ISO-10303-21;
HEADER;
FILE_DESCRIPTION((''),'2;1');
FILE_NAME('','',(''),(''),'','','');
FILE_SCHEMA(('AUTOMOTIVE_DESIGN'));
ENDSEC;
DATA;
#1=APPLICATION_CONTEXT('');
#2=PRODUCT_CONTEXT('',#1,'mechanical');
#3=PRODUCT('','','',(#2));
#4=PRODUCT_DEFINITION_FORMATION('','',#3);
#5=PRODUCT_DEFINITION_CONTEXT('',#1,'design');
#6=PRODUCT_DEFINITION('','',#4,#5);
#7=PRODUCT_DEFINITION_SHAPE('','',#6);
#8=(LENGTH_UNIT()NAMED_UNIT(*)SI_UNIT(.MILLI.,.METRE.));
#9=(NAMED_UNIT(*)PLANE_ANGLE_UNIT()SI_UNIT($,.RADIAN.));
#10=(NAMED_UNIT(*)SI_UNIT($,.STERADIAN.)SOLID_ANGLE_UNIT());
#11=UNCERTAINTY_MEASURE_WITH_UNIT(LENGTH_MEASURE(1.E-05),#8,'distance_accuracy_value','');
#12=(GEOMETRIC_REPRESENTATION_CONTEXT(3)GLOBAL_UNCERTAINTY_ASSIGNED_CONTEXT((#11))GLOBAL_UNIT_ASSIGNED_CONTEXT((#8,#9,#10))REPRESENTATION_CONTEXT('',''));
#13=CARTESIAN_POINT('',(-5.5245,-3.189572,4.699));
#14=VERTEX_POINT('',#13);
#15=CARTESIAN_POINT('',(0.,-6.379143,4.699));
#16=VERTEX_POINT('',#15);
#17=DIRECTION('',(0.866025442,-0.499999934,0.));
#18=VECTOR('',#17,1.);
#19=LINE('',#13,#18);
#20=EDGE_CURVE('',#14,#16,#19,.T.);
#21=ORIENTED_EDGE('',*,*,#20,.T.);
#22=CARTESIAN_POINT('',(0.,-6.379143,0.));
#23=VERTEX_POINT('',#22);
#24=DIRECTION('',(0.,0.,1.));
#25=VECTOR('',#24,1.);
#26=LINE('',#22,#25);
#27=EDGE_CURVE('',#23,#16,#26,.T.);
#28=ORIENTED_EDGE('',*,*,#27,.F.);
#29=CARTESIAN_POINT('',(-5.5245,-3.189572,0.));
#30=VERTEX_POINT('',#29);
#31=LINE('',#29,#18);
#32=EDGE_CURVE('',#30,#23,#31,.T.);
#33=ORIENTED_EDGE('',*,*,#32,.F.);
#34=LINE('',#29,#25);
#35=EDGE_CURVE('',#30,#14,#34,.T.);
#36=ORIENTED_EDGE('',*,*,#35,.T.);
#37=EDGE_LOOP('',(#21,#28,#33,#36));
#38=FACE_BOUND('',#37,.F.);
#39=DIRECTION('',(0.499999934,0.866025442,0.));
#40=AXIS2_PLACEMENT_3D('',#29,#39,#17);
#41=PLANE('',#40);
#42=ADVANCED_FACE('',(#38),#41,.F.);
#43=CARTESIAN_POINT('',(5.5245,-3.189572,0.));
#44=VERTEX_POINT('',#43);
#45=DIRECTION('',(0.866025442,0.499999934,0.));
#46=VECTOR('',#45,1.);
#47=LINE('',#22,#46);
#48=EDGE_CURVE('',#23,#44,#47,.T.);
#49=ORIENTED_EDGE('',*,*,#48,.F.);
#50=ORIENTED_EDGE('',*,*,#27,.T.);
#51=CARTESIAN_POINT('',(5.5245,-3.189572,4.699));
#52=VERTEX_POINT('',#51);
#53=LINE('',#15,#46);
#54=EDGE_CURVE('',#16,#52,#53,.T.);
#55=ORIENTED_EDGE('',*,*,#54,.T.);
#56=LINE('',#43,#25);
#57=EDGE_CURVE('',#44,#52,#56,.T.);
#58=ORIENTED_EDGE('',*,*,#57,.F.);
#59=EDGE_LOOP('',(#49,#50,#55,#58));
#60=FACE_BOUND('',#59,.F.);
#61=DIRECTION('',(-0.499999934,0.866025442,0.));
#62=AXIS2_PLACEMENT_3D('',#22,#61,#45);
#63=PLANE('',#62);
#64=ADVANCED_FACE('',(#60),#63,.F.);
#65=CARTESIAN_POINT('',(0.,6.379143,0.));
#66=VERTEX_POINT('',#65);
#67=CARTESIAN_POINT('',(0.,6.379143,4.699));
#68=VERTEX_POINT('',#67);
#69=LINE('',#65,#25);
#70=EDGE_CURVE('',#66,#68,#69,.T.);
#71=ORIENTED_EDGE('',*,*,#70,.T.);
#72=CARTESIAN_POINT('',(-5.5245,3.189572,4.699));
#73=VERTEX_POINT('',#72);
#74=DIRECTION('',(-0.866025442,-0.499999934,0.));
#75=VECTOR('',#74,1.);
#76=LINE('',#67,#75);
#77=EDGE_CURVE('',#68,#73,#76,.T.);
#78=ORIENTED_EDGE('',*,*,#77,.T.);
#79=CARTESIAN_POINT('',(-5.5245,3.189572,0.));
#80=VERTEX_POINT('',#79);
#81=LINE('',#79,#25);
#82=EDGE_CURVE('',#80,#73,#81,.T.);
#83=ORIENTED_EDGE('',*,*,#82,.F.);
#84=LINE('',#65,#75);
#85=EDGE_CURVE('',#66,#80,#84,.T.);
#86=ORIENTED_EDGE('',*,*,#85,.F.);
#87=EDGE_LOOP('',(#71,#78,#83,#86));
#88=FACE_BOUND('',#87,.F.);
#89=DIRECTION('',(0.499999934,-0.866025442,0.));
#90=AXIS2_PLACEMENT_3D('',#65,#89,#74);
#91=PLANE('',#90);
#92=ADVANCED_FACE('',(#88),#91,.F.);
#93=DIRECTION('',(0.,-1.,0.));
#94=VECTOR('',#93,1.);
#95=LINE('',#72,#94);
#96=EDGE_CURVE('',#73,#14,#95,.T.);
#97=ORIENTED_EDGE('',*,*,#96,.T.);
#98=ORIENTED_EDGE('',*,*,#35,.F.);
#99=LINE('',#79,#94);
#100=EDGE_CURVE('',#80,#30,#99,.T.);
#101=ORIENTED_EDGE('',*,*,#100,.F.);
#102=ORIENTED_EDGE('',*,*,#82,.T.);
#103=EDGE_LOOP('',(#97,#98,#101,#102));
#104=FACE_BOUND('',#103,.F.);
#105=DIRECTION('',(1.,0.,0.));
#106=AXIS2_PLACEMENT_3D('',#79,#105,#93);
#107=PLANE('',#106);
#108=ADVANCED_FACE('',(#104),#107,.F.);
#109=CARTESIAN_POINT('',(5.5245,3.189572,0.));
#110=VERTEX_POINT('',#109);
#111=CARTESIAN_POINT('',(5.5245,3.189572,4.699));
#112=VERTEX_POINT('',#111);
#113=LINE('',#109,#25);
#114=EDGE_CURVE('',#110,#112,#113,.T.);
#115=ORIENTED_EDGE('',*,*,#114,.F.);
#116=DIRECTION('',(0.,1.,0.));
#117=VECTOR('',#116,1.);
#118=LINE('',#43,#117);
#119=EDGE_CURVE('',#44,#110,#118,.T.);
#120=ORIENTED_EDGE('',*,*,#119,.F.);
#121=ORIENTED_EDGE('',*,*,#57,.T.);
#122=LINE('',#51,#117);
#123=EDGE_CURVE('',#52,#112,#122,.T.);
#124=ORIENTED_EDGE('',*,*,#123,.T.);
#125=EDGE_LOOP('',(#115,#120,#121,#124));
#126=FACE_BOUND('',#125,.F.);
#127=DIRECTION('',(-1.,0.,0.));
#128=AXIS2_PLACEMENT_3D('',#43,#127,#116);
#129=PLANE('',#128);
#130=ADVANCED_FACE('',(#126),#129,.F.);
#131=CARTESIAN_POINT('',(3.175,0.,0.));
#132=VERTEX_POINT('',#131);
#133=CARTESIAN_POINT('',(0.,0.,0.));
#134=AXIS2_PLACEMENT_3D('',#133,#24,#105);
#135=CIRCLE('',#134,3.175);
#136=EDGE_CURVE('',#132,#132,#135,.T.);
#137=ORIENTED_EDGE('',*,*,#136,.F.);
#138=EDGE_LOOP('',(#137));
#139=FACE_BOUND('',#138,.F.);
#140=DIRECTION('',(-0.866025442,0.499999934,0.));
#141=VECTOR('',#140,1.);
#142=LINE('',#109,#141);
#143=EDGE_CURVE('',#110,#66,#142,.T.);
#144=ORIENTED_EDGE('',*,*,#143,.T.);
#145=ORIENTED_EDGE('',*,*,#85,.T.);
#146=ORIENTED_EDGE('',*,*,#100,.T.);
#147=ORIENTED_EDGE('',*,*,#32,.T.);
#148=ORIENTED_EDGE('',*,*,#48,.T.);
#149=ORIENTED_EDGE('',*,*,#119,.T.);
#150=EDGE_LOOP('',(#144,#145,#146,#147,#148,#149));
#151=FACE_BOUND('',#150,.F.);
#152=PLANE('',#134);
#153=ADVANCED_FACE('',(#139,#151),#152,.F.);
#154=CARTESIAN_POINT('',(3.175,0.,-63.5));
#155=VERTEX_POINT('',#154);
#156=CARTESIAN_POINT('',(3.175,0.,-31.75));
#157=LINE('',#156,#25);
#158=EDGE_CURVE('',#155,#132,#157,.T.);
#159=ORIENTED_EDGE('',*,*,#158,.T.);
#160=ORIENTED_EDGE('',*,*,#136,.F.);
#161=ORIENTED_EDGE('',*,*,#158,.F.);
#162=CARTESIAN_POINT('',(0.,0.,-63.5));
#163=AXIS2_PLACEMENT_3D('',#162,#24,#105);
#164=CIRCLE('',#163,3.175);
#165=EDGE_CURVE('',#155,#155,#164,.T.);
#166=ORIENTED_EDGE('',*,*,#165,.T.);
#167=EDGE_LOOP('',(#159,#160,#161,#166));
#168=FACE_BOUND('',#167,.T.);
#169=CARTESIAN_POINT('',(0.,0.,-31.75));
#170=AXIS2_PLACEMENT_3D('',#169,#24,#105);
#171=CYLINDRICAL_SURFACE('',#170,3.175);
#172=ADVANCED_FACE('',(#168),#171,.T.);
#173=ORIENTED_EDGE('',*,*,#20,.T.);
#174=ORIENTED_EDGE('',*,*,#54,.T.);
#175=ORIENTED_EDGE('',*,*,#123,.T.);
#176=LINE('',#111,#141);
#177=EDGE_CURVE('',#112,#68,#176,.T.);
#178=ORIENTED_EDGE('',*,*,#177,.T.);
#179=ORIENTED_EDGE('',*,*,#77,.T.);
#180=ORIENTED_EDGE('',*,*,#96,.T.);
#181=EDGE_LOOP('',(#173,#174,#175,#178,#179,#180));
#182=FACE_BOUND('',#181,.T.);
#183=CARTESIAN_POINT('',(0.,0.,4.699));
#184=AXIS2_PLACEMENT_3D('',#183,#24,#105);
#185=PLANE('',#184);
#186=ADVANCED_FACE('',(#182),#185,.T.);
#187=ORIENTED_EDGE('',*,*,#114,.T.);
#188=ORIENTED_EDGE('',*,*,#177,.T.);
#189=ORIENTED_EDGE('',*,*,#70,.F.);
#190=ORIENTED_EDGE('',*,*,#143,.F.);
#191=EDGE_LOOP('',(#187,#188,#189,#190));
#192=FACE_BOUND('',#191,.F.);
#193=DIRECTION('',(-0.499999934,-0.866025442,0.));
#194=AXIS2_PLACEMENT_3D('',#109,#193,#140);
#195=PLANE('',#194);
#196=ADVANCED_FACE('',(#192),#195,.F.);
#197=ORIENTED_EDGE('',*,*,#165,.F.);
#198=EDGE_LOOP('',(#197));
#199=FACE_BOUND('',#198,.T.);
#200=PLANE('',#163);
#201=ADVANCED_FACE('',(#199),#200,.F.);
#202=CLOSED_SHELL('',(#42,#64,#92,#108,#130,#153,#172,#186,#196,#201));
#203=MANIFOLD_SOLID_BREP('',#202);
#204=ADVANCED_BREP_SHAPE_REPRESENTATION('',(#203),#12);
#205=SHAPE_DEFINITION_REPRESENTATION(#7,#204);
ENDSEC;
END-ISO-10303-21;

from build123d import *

# Parameters (mm, degrees)
F0_W     = 3.175
F0_H     = 63.5
F3_DEPTH = 4.699


with BuildPart() as f1:
    # F0 (on Front) → F1 (revolve)
    with BuildSketch(Plane.XZ):
        with Locations((1.5875, -31.75)):
            Rectangle(F0_W, F0_H)
    revolve(axis=Axis((0, 0, -31.75), (0, 0, 1)))

    # F2 (on face) → F3 (join)
    with BuildSketch(Plane.XY):
        Polygon((5.5245, -3.189572), (5.5245, 3.189572), (0, 6.379143), (-5.5245, 3.189572), (-5.5245, -3.189572), (0, -6.379143), align=None)
    extrude(amount=F3_DEPTH)


solid = f1.part
